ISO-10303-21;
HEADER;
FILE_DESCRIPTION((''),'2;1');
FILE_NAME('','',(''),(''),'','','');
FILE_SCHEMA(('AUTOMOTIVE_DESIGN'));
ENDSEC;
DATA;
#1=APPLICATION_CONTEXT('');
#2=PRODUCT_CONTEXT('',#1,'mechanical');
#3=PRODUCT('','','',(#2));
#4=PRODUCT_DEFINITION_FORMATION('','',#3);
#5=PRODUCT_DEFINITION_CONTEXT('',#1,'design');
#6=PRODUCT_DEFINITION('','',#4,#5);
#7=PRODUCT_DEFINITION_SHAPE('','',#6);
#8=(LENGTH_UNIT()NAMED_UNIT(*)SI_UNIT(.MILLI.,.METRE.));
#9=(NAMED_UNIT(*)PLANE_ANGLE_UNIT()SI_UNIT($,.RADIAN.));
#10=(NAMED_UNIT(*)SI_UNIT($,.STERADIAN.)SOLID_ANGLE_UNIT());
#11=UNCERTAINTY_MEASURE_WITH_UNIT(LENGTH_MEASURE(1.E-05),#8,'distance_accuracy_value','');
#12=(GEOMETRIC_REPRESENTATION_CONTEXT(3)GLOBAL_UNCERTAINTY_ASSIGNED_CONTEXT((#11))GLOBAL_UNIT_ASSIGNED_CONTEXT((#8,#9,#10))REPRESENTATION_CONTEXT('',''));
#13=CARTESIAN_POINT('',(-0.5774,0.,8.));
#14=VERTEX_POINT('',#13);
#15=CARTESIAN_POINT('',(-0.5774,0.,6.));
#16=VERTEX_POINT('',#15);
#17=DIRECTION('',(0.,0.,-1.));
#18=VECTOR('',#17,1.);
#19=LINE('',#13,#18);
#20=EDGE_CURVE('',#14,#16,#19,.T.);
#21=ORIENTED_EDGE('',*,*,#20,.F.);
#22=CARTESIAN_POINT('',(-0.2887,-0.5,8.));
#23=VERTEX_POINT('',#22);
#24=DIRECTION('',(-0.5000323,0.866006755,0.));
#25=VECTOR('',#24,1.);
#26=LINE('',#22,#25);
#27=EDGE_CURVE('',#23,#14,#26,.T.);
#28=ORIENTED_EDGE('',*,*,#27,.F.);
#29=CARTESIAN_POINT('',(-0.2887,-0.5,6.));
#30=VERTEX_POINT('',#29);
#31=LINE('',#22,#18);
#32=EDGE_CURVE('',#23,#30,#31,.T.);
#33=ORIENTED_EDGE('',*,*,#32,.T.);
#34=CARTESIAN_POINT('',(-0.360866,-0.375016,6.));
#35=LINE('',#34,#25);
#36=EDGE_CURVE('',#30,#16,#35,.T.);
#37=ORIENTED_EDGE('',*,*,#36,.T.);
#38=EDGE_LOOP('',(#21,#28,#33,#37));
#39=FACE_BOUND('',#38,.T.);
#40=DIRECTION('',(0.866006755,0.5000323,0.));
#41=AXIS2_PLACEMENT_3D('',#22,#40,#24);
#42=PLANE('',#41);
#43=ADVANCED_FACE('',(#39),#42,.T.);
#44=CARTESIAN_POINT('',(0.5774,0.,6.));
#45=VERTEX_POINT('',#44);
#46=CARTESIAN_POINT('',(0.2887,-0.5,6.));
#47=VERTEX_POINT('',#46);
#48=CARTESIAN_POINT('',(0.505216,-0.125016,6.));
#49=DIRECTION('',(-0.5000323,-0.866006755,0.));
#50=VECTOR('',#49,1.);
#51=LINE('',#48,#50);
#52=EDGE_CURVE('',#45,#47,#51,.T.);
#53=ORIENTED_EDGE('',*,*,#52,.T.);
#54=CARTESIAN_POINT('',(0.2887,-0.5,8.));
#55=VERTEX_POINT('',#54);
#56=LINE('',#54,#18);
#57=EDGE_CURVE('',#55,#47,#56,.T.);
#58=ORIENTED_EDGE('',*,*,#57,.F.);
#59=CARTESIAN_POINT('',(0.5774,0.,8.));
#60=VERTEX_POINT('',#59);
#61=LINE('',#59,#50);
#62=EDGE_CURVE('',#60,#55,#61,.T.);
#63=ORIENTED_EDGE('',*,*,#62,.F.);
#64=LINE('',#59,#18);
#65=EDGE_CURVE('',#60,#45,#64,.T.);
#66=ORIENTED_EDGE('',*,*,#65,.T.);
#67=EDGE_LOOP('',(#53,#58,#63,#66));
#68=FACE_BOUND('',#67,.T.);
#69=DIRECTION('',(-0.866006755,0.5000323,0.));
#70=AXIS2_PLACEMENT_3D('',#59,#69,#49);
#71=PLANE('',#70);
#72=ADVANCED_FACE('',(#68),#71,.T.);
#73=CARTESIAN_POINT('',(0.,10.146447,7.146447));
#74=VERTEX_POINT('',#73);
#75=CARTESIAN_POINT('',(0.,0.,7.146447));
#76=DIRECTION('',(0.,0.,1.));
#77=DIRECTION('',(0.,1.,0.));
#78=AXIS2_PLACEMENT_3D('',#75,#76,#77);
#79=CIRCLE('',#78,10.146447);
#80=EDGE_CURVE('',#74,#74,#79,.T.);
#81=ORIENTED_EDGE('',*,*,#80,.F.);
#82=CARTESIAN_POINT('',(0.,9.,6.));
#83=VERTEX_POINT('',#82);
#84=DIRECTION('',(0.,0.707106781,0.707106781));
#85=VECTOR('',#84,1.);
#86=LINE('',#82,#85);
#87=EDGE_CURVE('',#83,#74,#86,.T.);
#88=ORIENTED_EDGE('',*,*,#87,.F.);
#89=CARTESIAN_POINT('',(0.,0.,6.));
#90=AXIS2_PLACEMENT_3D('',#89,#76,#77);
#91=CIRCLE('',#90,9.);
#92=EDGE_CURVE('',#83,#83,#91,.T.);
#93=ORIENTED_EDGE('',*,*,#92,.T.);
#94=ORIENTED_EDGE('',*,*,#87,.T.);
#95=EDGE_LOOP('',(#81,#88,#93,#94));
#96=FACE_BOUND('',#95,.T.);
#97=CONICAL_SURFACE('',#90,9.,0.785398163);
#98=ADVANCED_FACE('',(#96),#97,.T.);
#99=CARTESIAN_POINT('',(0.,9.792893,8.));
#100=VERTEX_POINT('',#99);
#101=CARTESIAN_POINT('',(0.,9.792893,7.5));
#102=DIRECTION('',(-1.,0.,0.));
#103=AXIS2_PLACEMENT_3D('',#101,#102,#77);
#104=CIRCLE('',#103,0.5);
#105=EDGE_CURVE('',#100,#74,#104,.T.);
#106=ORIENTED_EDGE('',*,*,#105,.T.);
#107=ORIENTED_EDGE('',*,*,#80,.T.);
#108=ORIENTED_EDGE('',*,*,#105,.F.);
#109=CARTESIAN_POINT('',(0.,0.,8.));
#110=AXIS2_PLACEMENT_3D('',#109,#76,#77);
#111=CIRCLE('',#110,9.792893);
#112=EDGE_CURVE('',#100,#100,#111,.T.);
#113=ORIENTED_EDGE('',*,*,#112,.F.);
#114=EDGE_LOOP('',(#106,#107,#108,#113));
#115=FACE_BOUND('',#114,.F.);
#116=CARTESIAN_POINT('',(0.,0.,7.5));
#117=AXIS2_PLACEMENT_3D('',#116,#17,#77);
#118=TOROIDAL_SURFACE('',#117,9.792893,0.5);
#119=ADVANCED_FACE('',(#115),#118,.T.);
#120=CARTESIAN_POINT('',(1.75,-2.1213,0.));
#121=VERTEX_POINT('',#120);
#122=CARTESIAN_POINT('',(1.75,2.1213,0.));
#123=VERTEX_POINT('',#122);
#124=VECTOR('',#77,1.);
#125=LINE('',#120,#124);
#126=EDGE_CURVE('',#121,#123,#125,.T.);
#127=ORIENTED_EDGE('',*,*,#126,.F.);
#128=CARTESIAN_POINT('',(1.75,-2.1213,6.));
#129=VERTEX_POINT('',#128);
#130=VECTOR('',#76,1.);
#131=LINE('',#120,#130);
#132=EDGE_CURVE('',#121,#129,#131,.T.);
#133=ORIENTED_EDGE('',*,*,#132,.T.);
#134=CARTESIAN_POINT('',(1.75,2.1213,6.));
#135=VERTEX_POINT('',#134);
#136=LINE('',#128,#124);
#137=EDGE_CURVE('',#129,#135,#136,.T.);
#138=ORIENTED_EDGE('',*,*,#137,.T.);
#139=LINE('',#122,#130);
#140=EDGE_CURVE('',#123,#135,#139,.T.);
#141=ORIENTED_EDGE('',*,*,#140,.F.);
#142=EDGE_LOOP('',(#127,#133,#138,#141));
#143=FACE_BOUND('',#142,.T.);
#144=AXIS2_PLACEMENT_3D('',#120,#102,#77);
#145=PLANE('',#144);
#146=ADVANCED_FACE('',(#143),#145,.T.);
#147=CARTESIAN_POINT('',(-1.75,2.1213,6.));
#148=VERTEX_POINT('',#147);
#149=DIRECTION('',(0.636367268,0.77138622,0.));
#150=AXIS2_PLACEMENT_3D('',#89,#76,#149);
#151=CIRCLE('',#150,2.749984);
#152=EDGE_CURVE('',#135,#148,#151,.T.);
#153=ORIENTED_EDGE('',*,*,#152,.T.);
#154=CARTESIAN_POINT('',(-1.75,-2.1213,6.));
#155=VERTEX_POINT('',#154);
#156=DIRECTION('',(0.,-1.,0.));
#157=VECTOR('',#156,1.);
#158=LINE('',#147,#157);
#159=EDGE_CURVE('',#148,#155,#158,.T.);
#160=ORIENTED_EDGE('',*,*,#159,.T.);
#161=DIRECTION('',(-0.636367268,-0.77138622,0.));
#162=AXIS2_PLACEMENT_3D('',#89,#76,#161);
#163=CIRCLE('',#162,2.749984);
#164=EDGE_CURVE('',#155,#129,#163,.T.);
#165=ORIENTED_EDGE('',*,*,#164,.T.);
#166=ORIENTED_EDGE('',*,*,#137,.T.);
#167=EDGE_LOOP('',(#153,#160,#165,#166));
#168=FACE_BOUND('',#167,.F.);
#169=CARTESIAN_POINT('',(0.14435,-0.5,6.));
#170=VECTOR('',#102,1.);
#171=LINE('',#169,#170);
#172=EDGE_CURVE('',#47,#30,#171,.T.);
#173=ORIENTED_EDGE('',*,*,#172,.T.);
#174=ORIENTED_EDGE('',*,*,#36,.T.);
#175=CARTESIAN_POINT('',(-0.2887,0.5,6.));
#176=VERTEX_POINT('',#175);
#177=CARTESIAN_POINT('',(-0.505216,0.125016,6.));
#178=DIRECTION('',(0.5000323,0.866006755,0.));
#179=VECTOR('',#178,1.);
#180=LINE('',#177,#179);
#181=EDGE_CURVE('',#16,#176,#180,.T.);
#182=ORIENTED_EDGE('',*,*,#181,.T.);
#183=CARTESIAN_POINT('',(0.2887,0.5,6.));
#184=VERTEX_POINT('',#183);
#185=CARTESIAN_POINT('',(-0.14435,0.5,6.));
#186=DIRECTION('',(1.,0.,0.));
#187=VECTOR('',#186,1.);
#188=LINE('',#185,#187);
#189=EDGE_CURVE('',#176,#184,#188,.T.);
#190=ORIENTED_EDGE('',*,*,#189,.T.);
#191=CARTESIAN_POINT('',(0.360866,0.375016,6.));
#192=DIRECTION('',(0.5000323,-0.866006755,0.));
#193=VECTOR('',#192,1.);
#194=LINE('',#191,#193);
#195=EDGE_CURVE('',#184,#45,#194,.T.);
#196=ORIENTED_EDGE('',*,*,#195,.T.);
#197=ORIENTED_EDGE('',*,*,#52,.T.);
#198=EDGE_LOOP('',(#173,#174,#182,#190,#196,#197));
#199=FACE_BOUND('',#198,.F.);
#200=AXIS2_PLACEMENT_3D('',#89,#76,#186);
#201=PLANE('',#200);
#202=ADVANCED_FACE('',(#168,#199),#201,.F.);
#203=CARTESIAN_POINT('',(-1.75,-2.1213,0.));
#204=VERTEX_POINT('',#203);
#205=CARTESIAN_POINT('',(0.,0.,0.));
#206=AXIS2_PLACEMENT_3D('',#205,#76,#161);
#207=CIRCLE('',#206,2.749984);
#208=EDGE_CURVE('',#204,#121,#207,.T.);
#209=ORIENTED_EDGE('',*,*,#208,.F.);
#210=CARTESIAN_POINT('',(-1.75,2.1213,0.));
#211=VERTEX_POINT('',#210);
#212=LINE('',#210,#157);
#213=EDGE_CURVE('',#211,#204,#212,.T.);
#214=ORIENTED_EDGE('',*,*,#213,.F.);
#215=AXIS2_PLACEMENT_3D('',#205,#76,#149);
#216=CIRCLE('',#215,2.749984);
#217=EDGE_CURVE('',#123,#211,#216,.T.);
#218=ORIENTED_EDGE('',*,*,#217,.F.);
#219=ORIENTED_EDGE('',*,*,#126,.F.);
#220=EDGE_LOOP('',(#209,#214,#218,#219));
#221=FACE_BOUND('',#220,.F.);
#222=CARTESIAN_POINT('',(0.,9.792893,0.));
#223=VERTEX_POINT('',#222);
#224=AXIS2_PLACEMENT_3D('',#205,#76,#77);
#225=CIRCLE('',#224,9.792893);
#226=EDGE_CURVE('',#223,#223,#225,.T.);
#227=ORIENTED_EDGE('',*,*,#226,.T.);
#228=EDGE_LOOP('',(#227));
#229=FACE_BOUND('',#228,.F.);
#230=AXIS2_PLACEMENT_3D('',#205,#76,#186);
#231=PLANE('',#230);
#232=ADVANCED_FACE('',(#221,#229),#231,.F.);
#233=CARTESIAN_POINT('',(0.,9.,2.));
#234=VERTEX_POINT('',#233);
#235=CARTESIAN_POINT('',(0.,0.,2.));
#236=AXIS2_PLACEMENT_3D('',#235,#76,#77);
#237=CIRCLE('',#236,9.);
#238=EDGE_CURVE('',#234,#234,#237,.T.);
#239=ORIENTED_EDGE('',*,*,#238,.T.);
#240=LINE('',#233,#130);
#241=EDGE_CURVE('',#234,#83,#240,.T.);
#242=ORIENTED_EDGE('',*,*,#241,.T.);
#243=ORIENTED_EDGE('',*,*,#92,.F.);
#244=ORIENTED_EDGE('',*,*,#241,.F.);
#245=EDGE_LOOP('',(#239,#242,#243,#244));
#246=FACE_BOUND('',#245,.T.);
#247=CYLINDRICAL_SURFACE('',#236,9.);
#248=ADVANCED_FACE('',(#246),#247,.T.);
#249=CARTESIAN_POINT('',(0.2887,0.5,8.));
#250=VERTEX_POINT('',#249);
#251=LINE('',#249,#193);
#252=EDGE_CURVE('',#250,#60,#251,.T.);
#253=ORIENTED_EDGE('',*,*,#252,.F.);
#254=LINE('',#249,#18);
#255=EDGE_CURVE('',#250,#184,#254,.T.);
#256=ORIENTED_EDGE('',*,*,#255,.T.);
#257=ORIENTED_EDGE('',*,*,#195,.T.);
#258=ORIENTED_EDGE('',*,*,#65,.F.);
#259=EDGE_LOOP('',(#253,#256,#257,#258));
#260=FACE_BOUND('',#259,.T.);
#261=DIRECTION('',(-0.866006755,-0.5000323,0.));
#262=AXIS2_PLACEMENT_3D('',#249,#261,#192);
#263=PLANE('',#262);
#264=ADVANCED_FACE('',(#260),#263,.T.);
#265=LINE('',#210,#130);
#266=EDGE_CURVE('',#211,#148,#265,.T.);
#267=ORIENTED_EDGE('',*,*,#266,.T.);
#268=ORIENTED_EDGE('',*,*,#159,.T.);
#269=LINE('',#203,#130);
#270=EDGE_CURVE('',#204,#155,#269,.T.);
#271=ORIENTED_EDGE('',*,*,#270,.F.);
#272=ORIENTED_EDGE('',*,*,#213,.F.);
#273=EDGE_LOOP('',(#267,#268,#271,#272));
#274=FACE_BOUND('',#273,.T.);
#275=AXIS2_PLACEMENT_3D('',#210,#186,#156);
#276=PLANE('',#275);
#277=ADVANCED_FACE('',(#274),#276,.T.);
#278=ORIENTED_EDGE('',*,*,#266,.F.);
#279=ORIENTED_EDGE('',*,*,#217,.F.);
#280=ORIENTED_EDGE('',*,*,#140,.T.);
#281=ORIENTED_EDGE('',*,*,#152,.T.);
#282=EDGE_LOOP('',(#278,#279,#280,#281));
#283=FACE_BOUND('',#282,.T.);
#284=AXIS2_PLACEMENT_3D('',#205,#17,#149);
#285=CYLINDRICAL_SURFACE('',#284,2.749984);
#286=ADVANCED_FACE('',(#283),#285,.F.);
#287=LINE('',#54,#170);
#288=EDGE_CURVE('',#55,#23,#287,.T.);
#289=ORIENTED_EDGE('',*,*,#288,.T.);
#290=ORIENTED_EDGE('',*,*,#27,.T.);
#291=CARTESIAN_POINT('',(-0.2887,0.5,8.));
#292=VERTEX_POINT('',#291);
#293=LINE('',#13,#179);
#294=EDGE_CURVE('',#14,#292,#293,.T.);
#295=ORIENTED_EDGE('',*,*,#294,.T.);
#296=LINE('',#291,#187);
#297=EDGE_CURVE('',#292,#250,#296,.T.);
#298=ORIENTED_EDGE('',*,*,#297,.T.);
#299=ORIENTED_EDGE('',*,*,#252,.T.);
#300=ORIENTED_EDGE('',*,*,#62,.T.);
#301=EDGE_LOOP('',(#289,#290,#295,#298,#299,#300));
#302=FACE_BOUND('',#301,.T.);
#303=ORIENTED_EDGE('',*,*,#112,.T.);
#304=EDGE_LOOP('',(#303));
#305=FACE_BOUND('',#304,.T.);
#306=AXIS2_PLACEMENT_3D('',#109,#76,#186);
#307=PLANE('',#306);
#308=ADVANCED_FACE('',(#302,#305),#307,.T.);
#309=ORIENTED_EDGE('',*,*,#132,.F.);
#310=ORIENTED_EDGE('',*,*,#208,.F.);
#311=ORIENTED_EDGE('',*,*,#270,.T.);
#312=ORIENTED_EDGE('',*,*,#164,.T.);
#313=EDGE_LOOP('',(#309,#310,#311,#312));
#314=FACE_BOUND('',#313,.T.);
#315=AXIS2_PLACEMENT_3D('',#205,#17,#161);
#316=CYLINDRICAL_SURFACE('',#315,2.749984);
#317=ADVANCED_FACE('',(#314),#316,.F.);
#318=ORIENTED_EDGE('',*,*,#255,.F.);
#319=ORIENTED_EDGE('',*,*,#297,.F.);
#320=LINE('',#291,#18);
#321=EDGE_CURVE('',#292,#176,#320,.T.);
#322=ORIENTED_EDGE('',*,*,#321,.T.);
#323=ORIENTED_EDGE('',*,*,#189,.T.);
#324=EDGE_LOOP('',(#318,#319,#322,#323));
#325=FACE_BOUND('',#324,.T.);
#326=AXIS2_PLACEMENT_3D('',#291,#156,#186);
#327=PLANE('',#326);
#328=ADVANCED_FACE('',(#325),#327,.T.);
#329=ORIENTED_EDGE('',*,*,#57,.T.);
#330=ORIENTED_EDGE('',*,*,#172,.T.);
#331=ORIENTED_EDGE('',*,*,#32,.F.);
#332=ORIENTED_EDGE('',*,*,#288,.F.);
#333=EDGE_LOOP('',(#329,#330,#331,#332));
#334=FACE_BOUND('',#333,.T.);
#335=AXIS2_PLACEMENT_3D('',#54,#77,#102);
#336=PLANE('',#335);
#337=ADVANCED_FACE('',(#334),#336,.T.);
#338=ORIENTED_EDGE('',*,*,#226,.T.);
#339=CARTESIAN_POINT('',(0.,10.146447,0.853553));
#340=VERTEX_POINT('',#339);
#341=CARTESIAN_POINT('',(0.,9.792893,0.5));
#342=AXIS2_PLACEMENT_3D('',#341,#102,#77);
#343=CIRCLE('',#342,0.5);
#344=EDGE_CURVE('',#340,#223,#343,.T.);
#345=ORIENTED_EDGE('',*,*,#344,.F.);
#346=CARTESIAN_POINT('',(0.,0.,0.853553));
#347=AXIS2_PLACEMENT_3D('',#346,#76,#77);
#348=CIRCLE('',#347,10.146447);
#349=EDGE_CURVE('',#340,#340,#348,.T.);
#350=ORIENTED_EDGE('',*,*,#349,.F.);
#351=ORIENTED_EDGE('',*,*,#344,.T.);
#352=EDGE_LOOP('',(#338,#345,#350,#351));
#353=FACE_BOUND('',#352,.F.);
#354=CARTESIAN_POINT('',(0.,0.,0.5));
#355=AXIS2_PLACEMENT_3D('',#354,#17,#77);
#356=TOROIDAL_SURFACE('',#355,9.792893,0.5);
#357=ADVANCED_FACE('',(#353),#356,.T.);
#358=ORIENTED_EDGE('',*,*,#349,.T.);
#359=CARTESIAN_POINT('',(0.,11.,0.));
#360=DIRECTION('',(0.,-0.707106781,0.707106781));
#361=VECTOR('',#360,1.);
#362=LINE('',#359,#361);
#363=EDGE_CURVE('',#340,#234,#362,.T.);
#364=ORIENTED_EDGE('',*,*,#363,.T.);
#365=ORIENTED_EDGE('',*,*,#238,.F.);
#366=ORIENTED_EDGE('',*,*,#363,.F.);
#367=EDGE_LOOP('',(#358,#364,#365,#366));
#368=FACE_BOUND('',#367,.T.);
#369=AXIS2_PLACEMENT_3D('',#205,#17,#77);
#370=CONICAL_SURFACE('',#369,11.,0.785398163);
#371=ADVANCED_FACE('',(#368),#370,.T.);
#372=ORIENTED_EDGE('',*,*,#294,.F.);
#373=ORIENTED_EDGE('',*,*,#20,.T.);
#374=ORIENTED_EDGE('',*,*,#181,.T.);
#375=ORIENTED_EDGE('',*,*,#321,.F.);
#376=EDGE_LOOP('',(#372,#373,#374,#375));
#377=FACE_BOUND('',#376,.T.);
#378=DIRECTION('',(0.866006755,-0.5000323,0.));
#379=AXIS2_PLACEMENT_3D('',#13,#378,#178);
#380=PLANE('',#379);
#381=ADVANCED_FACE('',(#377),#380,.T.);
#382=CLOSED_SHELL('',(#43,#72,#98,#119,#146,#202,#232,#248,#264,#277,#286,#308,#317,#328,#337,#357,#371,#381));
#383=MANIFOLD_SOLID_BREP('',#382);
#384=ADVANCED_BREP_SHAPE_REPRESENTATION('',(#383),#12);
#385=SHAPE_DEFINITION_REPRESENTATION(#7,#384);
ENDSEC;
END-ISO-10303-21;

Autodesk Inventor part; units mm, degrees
ref_plane "YZ Plane" through (0, 0, 0) normal (1, 0, 0) x (0, 1, 0)
ref_plane "XZ Plane" through (0, 0, 0) normal (0, 1, 0) x (-1, 0, 0)
ref_plane "XY Plane" through (0, 0, 0) normal (0, 0, 1) x (1, 0, 0)
sketch "Sketch1" plane through (0, 0, 0) normal (0, 0, 1) x (1, 0, 0)
  line L0 (1.5, -2) -> (1.5, 2)
  line L1 (-1.5, 2) -> (-1.5, -2)
  arc A0 (-1.5, -2) -> (1.5, -2) centre (0, 0) ccw
  arc A1 (1.5, 2) -> (-1.5, 2) centre (0, 0) ccw
  line L2 (-1.75, 2.1213) -> (-1.75, -2.1213)
  arc A2 (-1.75, -2.1213) -> (1.75, -2.1213) centre (0, 0) ccw
  line L3 (1.75, -2.1213) -> (1.75, 2.1213)
  arc A3 (1.75, 2.1213) -> (-1.75, 2.1213) centre (0, 0) ccw
  circle A4 centre (0, 0) radius 11
  dimension "d0" = 3
  dimension "d2" = 2.5
  dimension "d3" = 0.25
  dimension "d4" = 22
extrude "Extrusion1" add sketch "Sketch1" along normal blind 6 contours A4
sketch "Sketch2" plane through (0, 0, 6) normal (0, 0, 1) x (1, 0, 0)
  circle A0 centre (0, 0) radius 11 projected
extrude "Extrusion2" add sketch "Sketch2" along normal blind 2
sketch "Sketch3" plane through (0, 0, 8) normal (0, 0, 1) x (1, 0, 0)
  line L0 (0.5774, 0) -> (0.2887, -0.5)
  line L1 (0.2887, -0.5) -> (-0.2887, -0.5)
  line L2 (-0.2887, -0.5) -> (-0.5774, 0)
  line L3 (-0.5774, 0) -> (-0.2887, 0.5)
  line L4 (-0.2887, 0.5) -> (0.2887, 0.5)
  line L5 (0.2887, 0.5) -> (0.5774, 0)
  point P0 (0, 0)
  point P1 (0, 0)
  dimension "d24" = 1
sketch "Sketch4" plane through (0, 0, 0) normal (1, 0, 0) x (0, 1, 0)
  line L0 (11, 8) -> (-11, 8) projected
  line L1 (-11, 0) -> (11, 0) projected
  line L2 (11, 8) -> (11, 0)
  line L3 (11, 0) -> (9, 2)
  line L4 (9, 2) -> (9, 6)
  line L5 (9, 6) -> (11, 8)
  line L6 (0, -1.6) -> (0, 9.6) projected
  point P0 (0, 0)
  dimension "d16" = 45
  dimension "d17" = 45
  dimension "d18" = 4
revolve "Revolution1" cut sketch "Sketch4" angle 360 about axis through (0, 0, -10) along (0, 0, 1) contours L2 L3 L4 L5
fillet "Fillet1" radius 0.5 2 edges at (0, -11, 0) (0, -11, 8)
extrude "Extrusion3" cut sketch "Sketch3" against normal through all
properties part number "22mm Spool" material "ABS Plastic"
